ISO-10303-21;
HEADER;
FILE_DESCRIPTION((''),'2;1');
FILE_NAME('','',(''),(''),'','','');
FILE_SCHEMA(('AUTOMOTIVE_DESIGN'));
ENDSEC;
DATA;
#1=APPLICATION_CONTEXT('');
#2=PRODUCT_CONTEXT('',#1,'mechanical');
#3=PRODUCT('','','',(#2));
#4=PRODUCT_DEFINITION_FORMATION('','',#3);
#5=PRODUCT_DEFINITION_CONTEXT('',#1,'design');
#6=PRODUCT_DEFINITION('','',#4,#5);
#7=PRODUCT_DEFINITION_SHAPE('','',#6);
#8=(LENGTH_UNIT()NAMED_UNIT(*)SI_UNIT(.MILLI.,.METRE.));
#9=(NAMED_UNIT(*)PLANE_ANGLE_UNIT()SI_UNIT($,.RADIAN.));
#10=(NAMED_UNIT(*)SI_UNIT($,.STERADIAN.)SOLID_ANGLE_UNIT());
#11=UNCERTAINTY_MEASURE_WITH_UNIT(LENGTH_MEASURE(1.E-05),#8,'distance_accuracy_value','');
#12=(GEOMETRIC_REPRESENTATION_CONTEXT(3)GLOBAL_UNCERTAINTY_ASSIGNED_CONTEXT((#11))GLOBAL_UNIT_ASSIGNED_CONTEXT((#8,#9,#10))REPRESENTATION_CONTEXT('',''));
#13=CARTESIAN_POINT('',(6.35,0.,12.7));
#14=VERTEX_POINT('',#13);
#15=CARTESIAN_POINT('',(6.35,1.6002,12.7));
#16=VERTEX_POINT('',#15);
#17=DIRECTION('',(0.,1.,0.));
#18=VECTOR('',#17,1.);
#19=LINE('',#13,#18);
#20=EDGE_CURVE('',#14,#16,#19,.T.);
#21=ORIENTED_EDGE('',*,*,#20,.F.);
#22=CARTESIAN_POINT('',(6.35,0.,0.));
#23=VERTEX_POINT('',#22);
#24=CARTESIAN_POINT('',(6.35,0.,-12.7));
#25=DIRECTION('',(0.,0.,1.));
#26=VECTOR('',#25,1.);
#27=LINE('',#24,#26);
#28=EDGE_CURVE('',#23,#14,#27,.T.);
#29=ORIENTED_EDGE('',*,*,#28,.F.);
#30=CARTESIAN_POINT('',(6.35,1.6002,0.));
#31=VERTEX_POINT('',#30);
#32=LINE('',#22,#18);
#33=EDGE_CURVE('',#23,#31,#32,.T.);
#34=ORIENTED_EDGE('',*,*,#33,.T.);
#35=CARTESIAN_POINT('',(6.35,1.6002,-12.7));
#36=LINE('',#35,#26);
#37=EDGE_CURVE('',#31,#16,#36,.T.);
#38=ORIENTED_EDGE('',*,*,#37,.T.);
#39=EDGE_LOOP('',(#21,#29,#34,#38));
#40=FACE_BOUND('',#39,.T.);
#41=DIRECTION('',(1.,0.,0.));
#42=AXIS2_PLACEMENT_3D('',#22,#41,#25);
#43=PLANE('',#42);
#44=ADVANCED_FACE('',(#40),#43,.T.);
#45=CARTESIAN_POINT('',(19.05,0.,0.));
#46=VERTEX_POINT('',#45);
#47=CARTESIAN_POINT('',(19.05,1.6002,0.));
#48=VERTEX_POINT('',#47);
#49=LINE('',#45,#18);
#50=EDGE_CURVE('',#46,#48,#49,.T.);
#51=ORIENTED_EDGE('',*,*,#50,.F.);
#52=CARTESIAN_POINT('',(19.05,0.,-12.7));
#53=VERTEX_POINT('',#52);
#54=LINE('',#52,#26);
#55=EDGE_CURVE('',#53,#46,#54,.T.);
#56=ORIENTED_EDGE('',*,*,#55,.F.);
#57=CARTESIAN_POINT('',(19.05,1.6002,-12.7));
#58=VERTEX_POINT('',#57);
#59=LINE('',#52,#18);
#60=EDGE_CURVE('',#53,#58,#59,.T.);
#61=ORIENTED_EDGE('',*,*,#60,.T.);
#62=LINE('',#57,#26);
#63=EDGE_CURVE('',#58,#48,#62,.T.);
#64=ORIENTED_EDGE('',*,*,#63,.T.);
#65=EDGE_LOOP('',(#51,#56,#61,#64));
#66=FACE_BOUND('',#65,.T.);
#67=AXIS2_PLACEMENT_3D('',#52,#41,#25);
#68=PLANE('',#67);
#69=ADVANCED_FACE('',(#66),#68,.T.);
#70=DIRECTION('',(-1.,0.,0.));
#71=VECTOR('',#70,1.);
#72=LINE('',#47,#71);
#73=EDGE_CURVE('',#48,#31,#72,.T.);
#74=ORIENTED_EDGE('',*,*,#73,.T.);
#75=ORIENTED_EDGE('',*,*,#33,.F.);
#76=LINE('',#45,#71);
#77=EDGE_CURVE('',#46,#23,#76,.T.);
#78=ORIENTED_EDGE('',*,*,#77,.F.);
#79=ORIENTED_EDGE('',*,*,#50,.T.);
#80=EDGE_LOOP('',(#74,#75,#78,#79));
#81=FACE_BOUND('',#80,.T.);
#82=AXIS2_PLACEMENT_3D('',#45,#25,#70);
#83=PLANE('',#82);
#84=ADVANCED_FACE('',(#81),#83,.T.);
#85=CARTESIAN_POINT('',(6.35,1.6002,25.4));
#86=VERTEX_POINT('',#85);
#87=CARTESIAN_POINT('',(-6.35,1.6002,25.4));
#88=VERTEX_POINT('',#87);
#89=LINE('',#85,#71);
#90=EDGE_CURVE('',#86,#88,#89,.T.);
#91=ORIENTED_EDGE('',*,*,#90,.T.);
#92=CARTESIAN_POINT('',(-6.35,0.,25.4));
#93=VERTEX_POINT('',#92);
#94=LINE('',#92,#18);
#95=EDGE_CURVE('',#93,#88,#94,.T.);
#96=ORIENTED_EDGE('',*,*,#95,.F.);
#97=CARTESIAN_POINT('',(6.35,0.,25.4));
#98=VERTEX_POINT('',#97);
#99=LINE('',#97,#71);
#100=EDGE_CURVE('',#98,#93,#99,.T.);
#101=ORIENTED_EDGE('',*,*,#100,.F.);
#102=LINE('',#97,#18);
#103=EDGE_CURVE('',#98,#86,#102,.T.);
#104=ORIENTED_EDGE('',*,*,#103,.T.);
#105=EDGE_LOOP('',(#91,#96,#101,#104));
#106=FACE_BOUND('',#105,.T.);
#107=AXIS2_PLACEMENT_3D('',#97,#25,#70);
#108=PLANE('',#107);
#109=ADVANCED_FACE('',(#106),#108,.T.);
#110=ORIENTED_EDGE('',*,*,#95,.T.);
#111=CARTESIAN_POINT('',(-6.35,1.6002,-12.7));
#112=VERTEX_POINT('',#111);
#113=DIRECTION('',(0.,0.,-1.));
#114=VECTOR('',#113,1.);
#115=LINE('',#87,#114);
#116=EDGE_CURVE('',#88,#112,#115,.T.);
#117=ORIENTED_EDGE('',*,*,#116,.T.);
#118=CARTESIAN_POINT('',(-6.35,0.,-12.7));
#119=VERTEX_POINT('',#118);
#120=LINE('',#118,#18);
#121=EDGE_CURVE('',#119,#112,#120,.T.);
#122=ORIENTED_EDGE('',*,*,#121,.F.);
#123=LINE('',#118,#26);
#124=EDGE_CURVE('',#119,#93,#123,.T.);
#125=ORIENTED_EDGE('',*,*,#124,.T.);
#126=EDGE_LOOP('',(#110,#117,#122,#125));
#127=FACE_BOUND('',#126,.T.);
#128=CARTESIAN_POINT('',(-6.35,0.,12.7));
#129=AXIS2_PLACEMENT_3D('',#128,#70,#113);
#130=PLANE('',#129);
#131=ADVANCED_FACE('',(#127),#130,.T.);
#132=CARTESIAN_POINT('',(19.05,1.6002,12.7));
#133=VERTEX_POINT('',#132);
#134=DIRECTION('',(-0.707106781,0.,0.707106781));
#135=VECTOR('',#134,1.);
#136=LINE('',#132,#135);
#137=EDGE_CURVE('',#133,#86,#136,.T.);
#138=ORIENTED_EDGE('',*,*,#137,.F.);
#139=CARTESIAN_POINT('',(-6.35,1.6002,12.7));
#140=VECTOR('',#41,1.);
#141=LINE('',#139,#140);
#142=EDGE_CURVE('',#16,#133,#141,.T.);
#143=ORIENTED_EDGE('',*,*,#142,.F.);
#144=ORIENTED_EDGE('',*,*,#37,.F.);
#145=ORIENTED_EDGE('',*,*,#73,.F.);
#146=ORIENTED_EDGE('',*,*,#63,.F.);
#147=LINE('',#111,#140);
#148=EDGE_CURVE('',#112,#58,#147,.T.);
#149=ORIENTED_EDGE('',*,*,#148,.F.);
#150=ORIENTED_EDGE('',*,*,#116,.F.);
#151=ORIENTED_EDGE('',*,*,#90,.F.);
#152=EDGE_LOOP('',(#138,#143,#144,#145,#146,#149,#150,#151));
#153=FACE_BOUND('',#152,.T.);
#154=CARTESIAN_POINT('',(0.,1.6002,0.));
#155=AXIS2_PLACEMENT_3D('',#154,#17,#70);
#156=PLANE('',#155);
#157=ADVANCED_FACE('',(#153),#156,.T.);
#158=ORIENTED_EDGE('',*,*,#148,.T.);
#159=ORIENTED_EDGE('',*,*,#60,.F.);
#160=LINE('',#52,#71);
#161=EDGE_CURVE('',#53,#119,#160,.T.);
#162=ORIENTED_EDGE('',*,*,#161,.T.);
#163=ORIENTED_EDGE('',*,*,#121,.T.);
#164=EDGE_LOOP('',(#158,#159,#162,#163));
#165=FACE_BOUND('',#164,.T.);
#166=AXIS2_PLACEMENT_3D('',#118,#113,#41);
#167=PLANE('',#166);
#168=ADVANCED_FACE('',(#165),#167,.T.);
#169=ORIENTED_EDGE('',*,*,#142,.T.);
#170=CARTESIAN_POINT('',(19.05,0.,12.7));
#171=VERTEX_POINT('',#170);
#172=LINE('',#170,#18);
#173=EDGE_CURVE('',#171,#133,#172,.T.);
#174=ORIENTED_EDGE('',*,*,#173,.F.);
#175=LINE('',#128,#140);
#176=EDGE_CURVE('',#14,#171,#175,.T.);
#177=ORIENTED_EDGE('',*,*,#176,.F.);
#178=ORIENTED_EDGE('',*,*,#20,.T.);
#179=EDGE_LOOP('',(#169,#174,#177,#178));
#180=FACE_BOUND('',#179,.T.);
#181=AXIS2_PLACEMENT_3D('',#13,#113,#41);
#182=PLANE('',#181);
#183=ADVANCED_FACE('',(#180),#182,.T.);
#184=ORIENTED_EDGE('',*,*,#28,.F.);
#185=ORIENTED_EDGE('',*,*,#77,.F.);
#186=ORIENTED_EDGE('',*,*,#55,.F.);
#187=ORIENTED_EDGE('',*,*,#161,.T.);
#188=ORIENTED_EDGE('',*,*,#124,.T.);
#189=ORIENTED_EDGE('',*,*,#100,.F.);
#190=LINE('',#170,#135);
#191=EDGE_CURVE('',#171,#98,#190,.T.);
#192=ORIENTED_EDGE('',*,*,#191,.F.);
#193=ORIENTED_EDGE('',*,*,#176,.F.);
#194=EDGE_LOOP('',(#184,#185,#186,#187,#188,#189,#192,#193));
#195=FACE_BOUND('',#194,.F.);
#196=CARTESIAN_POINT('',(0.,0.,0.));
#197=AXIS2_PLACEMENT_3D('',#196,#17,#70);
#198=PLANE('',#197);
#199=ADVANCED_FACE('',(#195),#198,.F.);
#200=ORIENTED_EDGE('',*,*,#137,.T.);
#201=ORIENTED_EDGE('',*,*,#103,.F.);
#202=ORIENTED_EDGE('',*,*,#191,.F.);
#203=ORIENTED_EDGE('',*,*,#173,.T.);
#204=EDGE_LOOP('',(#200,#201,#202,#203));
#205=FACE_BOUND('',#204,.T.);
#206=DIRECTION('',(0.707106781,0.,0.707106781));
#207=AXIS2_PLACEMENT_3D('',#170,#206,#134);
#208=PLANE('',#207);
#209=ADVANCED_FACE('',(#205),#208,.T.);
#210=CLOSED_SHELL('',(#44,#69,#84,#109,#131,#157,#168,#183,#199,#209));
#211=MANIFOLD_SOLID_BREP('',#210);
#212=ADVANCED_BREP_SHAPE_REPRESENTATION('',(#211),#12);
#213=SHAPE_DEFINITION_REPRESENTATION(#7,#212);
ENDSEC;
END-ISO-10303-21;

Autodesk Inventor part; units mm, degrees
ref_plane "YZ Plane" through (0, 0, 0) normal (1, 0, 0) x (0, 1, 0)
ref_plane "XZ Plane" through (0, 0, 0) normal (0, 1, 0) x (-1, 0, 0)
ref_plane "XY Plane" through (0, 0, 0) normal (0, 0, 1) x (1, 0, 0)
sketch "Sketch1" plane through (0, 0, 0) normal (0, 1, 0) x (-1, 0, 0)
  line L0 (6.35, -12.7) -> (-6.35, -12.7)
  line L1 (-6.35, -12.7) -> (-6.35, 12.7)
  line L2 (-6.35, 12.7) -> (6.35, 12.7)
  line L3 (6.35, 12.7) -> (6.35, -12.7)
  line L4 (6.35, -12.7) -> (-6.35, 12.7) construction
  line L5 (-6.35, -12.7) -> (6.35, 12.7) construction
  line L6 (-6.35, 0) -> (-6.35, -12.7)
  line L7 (-6.35, -12.7) -> (-19.05, -12.7)
  line L8 (-19.05, -12.7) -> (-19.05, 0)
  line L9 (-19.05, 0) -> (-6.35, 0)
  line L10 (6.35, 12.7) -> (-19.05, 12.7)
  line L11 (-6.35, 25.4) -> (6.35, 25.4)
  line L12 (6.35, 25.4) -> (6.35, 12.7)
  line L13 (-19.05, 12.7) -> (-6.35, 25.4)
  point P0 (0, 0)
  dimension "d0" = 12.7
  dimension "d1" = 25.4
  dimension "d2" = 12.7
extrude "Extrusion1" add sketch "Sketch1" along normal blind 1.6002
properties part number "TEXAS"
